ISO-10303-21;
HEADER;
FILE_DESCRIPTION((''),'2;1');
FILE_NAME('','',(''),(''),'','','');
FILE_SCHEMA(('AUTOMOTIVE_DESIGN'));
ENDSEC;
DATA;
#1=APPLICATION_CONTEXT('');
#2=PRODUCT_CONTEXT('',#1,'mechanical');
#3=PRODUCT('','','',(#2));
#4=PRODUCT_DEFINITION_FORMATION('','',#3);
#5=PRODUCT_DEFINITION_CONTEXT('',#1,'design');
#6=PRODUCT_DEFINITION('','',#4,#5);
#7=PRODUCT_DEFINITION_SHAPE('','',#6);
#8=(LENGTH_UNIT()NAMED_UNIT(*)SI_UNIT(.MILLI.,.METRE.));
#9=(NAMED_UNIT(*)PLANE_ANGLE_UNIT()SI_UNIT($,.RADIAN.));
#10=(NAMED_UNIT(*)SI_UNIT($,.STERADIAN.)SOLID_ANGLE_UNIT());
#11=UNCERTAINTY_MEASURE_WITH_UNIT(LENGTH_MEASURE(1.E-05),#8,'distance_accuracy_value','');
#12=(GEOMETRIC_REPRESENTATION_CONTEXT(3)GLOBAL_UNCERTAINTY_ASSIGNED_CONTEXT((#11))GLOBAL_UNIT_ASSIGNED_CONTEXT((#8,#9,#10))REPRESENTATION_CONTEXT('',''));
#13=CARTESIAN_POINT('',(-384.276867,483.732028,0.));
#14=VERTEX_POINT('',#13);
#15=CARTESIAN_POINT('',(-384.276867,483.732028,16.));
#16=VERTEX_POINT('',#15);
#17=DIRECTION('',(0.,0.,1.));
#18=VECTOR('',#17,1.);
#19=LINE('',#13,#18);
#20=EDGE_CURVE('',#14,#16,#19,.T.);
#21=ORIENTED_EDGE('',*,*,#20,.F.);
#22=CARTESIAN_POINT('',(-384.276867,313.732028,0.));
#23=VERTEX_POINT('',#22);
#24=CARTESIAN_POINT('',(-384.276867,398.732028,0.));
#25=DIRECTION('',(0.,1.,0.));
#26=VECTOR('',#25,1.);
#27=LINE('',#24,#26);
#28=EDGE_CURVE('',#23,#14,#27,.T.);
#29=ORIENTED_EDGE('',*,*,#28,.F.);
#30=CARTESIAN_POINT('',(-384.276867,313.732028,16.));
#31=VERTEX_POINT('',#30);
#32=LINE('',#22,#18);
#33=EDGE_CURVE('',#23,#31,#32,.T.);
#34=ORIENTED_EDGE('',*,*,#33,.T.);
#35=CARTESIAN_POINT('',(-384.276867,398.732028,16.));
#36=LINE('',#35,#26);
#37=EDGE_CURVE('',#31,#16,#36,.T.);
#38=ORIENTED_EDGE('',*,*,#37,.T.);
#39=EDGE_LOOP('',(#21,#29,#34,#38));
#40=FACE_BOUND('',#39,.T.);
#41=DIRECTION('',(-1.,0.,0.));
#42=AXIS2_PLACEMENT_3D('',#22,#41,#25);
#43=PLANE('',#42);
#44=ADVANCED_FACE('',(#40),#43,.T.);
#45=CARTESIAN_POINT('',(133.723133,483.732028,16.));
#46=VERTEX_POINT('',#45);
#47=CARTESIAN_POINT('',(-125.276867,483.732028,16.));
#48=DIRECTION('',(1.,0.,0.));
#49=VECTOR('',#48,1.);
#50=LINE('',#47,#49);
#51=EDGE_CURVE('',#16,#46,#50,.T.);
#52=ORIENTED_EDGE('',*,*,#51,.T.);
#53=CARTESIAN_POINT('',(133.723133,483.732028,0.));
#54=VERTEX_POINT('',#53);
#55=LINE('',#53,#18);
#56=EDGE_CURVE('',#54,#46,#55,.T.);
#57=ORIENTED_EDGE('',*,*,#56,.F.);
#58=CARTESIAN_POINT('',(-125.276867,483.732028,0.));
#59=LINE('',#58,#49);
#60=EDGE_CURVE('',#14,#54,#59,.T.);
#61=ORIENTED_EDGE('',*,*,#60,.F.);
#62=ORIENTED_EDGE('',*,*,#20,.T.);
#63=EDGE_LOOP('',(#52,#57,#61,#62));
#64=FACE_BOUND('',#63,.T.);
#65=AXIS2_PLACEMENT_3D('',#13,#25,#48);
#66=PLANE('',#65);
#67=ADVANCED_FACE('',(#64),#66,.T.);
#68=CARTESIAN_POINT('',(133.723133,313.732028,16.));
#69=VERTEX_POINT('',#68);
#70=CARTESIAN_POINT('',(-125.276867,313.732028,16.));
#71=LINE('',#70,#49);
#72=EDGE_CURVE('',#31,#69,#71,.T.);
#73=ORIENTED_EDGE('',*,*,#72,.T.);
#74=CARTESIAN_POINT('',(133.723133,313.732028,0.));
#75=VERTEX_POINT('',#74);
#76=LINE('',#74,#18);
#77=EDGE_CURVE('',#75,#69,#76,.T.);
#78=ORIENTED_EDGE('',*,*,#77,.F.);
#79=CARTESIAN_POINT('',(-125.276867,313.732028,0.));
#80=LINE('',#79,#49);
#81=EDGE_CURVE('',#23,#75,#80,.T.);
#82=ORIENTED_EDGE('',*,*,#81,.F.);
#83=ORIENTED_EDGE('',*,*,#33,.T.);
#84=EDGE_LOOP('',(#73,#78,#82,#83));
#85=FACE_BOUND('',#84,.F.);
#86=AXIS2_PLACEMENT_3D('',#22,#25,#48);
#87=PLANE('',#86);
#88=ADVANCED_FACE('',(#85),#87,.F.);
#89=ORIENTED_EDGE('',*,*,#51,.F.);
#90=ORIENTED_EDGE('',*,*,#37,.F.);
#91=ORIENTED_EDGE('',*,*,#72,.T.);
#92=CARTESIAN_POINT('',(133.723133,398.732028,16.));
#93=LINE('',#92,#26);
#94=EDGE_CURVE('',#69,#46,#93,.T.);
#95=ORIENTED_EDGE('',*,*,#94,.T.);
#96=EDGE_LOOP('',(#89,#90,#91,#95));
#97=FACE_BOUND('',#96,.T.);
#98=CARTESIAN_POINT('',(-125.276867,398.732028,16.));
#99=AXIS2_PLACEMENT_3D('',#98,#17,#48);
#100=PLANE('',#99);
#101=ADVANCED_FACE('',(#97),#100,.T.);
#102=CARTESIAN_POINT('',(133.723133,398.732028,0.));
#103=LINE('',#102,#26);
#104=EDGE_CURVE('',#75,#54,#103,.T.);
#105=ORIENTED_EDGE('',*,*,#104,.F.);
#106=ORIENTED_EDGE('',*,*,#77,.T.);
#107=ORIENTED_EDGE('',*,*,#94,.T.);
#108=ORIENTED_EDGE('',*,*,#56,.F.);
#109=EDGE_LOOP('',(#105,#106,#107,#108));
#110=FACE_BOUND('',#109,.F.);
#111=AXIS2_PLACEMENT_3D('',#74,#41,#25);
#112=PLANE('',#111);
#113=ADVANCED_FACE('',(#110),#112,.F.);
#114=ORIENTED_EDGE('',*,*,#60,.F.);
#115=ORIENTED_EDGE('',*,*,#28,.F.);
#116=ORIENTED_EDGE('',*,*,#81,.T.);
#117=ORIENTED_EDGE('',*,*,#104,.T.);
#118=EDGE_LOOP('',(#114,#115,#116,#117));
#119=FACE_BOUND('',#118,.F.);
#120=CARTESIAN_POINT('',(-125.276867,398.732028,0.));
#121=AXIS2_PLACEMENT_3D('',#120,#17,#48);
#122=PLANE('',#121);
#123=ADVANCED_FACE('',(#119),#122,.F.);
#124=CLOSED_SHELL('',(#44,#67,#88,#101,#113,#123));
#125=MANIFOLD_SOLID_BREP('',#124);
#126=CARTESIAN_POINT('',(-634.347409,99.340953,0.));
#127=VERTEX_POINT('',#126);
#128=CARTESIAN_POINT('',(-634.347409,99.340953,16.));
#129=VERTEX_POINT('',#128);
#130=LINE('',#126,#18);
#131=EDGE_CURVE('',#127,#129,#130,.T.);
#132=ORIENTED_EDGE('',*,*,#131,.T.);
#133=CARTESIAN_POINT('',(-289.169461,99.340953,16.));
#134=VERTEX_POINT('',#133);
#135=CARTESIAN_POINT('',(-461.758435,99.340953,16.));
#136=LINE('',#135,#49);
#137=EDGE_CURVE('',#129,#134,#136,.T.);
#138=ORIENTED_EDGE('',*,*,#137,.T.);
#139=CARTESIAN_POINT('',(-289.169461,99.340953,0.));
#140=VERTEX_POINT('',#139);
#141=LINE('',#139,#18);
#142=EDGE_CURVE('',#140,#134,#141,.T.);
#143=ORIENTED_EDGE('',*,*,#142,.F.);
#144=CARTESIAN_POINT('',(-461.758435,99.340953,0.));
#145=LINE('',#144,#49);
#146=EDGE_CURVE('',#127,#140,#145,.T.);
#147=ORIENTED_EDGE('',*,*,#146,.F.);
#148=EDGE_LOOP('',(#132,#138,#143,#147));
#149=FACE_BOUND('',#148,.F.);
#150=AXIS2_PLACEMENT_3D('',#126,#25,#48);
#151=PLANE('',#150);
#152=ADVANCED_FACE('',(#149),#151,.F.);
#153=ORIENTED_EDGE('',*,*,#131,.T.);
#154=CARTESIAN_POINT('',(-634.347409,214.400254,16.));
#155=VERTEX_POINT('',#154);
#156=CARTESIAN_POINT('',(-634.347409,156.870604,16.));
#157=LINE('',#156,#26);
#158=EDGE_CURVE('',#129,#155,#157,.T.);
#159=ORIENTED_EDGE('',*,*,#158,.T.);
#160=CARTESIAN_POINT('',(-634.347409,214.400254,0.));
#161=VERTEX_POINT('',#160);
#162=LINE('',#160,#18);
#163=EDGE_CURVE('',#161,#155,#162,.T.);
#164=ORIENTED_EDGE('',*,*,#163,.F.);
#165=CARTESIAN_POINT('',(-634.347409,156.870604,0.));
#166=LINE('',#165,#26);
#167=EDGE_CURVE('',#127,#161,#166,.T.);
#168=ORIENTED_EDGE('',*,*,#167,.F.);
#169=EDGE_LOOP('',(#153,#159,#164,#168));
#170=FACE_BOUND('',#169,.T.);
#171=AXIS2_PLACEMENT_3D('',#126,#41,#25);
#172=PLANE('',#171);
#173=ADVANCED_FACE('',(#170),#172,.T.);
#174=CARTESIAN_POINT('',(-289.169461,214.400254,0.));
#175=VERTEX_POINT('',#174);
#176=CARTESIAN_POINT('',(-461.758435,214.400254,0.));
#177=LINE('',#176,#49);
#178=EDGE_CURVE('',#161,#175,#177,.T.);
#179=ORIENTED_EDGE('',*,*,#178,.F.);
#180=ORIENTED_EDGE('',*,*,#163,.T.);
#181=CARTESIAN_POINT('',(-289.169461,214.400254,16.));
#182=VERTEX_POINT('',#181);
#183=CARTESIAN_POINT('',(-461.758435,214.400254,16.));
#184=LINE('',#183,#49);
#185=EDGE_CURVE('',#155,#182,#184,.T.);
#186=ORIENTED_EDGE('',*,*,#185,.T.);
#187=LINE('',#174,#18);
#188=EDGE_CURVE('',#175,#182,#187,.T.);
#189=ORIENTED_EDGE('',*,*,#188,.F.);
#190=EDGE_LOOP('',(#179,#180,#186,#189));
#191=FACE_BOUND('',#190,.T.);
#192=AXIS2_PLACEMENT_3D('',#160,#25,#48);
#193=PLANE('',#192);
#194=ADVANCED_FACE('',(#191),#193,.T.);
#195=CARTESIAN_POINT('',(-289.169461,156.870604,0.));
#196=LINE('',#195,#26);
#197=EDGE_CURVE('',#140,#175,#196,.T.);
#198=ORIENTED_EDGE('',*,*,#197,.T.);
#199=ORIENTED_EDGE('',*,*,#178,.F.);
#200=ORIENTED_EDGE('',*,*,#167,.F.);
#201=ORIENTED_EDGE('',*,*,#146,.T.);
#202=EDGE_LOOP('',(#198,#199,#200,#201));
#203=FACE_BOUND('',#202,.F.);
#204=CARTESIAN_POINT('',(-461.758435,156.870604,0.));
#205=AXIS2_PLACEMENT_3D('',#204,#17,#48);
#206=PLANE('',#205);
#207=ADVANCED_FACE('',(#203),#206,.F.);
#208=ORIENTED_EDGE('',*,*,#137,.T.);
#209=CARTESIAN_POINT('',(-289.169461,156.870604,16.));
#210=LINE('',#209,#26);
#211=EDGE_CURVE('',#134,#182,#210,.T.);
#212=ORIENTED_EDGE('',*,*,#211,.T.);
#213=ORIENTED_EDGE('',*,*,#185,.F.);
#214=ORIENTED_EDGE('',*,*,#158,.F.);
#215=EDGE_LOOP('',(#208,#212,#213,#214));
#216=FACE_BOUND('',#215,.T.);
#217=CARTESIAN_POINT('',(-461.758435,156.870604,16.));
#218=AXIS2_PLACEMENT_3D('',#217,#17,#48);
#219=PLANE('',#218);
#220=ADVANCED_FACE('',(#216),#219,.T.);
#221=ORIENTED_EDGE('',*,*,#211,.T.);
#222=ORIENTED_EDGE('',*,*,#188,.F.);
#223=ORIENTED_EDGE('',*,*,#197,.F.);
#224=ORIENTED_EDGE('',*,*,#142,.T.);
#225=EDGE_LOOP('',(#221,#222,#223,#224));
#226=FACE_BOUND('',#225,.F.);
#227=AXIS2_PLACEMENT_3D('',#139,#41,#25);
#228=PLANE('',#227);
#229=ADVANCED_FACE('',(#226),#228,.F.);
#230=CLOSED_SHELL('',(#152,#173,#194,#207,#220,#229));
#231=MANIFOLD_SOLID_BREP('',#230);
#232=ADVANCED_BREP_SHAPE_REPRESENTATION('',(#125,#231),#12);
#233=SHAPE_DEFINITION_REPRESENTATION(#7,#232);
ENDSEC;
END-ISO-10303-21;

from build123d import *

# Parameters (mm, degrees)
F0_W     = 518
F0_H     = 170
F2_DEPTH = 16
F0_W_2   = 345.1779484749
F0_H_2   = 115.0593012571


with BuildPart() as f2:
    # F0 (on Top) → F2 (new body)
    with BuildSketch(Plane.XY):
        with Locations((-125.2768669128, 398.7320280075)):
            Rectangle(F0_W, F0_H)
    extrude(amount=F2_DEPTH)


with BuildPart() as f2b:
    # F0 (on Top) → F2, piece 2 (new body)
    with BuildSketch(Plane.XY):
        with Locations((-461.7584347725, 156.8706035614)):
            Rectangle(F0_W_2, F0_H_2)
    extrude(amount=F2_DEPTH)


solid = Compound([f2.part, f2b.part])
